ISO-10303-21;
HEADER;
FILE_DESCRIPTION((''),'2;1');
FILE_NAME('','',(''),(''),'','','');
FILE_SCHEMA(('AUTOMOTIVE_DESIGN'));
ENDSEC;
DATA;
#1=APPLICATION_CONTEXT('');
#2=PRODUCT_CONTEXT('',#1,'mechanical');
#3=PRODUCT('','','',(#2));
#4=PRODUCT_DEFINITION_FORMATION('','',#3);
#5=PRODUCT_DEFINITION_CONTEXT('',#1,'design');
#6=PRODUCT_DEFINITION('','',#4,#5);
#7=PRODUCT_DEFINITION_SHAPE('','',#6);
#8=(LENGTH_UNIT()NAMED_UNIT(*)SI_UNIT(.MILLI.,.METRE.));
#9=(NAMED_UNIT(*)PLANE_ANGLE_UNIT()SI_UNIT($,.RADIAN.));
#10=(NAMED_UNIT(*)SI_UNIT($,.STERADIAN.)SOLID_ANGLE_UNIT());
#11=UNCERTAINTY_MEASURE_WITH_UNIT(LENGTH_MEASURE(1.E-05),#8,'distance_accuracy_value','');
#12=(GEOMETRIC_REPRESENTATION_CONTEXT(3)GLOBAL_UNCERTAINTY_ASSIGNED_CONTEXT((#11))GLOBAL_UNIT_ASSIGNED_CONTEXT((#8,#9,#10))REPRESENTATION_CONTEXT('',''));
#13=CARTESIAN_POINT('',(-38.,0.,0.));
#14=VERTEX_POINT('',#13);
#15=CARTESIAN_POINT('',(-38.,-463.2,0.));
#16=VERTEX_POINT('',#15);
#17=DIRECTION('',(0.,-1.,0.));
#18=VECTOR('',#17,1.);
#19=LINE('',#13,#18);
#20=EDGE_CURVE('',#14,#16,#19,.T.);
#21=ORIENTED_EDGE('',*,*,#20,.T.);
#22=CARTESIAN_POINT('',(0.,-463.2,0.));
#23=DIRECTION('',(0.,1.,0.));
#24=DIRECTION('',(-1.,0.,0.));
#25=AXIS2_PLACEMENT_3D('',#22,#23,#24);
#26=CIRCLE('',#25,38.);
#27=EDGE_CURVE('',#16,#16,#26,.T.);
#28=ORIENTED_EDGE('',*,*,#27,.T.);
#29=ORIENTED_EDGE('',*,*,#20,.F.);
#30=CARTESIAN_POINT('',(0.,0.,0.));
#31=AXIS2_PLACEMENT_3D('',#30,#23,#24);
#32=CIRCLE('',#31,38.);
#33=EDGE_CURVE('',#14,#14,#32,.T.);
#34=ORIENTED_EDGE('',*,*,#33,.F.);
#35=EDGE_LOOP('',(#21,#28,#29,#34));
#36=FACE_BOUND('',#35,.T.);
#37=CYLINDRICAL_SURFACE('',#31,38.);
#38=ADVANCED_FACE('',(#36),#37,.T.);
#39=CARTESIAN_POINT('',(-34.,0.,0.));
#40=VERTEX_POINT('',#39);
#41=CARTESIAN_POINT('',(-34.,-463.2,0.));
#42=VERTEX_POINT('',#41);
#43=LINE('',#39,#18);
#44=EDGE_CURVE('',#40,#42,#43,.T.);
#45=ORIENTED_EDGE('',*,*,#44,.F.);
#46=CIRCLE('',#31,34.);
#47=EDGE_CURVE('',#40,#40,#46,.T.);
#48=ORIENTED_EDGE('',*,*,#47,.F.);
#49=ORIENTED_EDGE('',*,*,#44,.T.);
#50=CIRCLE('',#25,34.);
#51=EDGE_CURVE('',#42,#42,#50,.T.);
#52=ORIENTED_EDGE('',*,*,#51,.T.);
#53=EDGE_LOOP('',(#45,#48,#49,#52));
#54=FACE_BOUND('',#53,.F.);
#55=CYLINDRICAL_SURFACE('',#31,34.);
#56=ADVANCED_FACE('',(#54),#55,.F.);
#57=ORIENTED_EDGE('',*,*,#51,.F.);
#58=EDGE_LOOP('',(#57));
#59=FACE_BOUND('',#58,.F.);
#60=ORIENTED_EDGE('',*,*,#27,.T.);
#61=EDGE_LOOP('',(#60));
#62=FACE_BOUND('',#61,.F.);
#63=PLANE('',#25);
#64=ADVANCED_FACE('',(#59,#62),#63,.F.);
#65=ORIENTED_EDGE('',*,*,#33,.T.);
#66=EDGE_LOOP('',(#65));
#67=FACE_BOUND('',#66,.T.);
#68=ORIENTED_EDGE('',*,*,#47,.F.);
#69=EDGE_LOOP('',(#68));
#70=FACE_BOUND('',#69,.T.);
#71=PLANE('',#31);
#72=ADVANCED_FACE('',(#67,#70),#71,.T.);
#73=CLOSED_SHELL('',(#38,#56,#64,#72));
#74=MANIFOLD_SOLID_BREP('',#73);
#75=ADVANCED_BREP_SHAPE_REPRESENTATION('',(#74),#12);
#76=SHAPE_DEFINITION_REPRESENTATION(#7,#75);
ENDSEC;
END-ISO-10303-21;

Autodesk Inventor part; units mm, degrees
ref_plane "YZ Plane" through (0, 0, 0) normal (1, 0, 0) x (0, 1, 0)
ref_plane "XZ Plane" through (0, 0, 0) normal (0, 1, 0) x (-1, 0, 0)
ref_plane "XY Plane" through (0, 0, 0) normal (0, 0, 1) x (1, 0, 0)
sketch "Sketch1" plane through (0, 0, 0) normal (0, 1, 0) x (-1, 0, 0)
  circle A0 centre (0, 0) radius 38
  circle A1 centre (0, 0) radius 34
  dimension "d0" = 76
  dimension "d1" = 4
extrude "Extrusion1" add sketch "Sketch1" against normal blind 463.2
properties part number "TZS 0941 FDS tube 1" material "Steel"
